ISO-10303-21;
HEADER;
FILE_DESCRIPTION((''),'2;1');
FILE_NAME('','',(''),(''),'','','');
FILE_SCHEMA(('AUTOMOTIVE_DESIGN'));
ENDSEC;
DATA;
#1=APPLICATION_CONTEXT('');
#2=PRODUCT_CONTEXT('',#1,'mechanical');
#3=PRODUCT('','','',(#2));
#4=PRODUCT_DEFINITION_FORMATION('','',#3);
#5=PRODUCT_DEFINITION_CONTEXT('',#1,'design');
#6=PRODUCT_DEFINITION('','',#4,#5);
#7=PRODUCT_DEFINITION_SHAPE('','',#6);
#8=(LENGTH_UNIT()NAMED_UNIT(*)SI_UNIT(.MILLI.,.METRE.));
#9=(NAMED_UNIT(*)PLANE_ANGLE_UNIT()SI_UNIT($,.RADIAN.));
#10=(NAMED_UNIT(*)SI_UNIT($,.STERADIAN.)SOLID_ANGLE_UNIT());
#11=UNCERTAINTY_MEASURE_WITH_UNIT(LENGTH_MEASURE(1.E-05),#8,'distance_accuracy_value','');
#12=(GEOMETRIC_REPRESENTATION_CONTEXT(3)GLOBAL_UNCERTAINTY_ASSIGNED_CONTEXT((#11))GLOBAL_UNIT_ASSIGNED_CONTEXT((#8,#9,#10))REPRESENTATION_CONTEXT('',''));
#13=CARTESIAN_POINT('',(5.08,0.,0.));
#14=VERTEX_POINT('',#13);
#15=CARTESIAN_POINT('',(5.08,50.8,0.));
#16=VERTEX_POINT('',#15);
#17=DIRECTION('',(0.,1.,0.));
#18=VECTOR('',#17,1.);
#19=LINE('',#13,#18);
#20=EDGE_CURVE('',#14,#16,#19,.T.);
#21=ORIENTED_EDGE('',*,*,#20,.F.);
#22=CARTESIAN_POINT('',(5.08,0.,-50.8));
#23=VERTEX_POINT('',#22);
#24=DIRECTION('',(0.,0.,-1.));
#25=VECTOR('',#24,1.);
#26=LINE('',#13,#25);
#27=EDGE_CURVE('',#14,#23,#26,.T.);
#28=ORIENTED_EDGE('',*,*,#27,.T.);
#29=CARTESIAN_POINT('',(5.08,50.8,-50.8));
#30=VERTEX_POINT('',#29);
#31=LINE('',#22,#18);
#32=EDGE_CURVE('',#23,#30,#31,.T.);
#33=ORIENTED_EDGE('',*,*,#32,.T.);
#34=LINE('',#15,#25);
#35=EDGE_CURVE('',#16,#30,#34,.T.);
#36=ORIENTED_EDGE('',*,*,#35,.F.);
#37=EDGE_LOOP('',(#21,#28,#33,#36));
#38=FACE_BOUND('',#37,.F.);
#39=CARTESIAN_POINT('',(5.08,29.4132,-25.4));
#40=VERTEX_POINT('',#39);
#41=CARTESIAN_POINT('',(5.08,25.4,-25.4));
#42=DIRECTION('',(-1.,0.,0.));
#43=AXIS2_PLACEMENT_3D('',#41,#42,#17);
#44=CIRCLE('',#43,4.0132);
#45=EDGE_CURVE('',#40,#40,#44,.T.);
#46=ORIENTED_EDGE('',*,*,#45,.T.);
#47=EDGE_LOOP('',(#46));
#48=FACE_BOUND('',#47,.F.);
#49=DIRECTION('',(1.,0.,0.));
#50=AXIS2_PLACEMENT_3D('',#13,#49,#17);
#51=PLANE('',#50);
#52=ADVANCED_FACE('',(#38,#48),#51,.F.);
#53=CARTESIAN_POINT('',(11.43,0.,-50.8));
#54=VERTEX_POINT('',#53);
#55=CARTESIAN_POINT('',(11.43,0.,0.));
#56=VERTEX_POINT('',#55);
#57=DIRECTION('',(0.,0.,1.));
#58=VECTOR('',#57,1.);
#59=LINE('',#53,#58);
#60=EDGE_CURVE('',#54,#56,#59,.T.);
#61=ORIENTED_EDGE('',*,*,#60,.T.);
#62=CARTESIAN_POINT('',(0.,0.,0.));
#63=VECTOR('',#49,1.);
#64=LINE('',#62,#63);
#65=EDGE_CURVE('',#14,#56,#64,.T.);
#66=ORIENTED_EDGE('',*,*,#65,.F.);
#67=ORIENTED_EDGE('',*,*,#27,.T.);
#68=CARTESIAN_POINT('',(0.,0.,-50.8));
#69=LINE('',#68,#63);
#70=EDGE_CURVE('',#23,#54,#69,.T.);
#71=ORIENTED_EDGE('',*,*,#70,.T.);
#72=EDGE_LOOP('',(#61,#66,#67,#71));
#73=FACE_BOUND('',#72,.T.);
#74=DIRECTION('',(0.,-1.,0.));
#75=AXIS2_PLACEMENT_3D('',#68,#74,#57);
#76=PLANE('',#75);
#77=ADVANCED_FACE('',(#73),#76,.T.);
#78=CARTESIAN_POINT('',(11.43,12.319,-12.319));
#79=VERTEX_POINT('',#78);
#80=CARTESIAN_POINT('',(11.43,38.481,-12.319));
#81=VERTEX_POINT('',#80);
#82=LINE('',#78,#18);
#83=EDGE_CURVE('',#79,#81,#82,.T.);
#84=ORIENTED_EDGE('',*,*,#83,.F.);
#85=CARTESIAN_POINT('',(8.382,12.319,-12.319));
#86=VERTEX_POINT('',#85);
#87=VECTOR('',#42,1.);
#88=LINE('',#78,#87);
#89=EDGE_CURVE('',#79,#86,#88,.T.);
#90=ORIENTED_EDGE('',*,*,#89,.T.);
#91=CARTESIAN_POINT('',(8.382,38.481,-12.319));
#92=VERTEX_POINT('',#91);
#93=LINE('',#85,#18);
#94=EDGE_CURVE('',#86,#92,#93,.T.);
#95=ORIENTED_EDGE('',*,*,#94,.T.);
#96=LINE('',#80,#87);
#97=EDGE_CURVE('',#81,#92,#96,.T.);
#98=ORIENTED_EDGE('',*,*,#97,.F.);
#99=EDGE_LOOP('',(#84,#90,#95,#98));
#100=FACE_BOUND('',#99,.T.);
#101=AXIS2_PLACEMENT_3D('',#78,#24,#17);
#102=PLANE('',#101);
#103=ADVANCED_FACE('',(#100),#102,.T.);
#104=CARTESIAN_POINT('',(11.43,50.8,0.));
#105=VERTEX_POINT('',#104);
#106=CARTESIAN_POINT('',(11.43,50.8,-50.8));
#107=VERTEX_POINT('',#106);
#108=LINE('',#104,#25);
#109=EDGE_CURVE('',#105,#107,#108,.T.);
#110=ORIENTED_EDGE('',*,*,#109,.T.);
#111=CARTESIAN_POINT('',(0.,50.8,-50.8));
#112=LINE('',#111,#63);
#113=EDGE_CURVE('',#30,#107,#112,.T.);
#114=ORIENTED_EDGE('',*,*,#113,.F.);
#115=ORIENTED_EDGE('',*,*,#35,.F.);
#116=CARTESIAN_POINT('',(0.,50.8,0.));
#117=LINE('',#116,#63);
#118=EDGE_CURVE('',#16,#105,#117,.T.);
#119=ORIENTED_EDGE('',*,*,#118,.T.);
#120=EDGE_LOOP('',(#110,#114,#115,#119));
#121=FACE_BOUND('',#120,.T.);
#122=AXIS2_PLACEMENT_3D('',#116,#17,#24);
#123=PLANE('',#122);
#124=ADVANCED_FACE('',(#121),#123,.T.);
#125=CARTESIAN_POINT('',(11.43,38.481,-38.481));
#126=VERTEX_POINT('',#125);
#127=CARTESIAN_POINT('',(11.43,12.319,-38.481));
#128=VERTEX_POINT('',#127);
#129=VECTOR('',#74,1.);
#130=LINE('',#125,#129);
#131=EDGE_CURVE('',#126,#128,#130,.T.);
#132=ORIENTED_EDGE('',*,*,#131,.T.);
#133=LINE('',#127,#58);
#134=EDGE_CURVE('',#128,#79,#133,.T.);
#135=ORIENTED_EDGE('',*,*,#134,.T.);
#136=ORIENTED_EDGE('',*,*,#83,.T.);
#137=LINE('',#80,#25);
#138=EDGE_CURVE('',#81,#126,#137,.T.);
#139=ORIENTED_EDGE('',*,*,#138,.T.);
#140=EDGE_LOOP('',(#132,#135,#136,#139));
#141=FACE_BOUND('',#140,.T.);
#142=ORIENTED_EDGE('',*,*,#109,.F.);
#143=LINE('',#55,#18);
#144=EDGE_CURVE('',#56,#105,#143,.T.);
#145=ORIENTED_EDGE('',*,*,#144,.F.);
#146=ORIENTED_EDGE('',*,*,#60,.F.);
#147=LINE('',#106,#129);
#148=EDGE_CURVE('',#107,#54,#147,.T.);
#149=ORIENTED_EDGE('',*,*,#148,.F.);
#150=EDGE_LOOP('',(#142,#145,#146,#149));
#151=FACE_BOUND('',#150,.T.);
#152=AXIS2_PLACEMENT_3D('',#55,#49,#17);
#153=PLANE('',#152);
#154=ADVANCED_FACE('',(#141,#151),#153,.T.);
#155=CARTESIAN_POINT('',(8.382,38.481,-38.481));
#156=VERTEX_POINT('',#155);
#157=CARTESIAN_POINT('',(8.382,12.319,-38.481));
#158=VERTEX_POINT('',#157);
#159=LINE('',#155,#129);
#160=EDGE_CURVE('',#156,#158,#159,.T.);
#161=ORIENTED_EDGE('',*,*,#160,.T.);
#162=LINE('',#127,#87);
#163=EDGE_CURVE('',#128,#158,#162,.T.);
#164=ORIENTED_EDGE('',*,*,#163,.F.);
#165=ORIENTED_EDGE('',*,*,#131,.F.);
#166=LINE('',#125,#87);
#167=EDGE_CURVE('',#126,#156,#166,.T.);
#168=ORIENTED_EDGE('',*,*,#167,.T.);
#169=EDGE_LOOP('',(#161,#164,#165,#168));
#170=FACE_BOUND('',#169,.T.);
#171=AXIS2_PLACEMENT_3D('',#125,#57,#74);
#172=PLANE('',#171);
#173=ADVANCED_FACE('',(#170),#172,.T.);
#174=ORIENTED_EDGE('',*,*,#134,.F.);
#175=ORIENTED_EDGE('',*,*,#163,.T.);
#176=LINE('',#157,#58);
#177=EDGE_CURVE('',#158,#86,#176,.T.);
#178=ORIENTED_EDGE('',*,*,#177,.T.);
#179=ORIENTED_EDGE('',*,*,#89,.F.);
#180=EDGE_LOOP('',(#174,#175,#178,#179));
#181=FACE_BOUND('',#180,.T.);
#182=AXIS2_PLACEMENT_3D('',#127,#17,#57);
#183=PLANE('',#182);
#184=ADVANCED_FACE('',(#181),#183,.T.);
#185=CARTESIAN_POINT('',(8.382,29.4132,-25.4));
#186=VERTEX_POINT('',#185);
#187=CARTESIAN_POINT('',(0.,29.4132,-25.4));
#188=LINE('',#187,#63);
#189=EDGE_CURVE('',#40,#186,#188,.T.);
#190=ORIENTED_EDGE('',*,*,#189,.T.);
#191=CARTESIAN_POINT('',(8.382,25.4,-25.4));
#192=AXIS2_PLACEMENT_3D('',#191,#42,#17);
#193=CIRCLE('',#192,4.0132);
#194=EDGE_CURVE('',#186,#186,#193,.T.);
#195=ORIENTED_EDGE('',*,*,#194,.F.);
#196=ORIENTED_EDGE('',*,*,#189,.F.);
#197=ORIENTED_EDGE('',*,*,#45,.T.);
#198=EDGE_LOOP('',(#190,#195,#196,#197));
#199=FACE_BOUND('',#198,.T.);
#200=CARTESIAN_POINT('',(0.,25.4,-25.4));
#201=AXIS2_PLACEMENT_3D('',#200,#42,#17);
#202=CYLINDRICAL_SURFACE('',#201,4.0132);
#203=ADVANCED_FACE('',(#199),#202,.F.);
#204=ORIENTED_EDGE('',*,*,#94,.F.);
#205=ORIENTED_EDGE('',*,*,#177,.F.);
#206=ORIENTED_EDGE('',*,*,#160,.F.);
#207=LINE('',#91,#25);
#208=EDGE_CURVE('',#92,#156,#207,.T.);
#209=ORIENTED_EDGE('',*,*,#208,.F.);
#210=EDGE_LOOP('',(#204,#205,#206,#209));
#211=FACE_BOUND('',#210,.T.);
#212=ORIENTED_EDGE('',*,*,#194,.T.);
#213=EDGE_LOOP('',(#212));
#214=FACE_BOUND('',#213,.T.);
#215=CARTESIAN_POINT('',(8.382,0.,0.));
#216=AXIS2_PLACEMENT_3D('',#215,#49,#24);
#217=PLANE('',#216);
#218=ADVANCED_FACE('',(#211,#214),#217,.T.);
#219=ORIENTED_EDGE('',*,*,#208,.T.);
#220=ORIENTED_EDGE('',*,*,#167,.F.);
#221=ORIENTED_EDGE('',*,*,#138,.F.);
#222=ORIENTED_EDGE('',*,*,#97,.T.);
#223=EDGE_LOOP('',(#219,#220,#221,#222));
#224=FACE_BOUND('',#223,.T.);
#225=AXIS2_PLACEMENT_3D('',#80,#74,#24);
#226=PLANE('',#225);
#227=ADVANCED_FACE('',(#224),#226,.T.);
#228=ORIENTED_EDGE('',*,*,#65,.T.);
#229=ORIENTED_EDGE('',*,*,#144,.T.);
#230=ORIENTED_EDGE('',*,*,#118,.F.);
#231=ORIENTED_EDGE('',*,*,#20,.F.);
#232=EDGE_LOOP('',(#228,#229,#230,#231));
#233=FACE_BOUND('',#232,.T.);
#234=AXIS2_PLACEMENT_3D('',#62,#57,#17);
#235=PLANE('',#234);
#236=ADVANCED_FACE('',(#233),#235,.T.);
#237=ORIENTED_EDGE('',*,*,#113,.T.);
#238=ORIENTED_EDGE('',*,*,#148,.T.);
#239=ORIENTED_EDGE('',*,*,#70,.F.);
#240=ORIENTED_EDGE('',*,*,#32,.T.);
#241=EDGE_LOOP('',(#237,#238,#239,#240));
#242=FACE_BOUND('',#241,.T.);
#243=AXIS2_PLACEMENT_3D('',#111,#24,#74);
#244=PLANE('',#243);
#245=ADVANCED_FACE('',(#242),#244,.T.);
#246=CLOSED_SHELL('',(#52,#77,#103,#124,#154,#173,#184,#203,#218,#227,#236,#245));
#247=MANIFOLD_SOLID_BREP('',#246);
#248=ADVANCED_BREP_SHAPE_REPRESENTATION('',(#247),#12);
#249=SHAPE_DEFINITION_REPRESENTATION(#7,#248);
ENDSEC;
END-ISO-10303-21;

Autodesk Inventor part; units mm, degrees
ref_plane "YZ Plane" through (0, 0, 0) normal (1, 0, 0) x (0, 1, 0)
ref_plane "XZ Plane" through (0, 0, 0) normal (0, 1, 0) x (-1, 0, 0)
ref_plane "XY Plane" through (0, 0, 0) normal (0, 0, 1) x (1, 0, 0)
sketch "Sketch1" plane through (0, 0, 0) normal (1, 0, 0) x (0, 1, 0)
  line L0 (0, 0) -> (50.8, 0)
  line L1 (50.8, 0) -> (50.8, -50.8)
  line L2 (50.8, -50.8) -> (0, -50.8)
  line L3 (0, -50.8) -> (0, 0)
  line L4 (50.8, 0) -> (50.8, -25.4)
  circle A0 centre (25.4, -25.4) radius 4.0132
  dimension "d0" = 50.8
  dimension "d1" = 50.8
  dimension "d5" = 8.0264
extrude "Extrusion1" add sketch "Sketch1" along normal blind 11.43
sketch "Sketch2" plane through (11.43, 0, 0) normal (1, 0, 0) x (0, 0, -1)
  line L0 (12.319, 38.481) -> (38.481, 38.481)
  line L1 (38.481, 38.481) -> (38.481, 12.319)
  line L2 (38.481, 12.319) -> (12.319, 12.319)
  line L3 (12.319, 12.319) -> (12.319, 38.481)
  line L4 (50.8, 50.8) -> (0, 50.8) projected
  line L5 (0, 0) -> (50.8, 0) projected
  line L6 (0, 50.8) -> (0, 0) projected
  dimension "d8" = 26.162
  dimension "d9" = 26.162
extrude "Extrusion2" cut sketch "Sketch2" against normal blind 3.048
sketch "Sketch3" plane through (0, 0, 0) normal (-1, 0, 0) x (0, 0, 1)
  circle A0 centre (-25.4, 25.4) radius 4.0132 projected
  circle A1 centre (-25.4, 25.4) radius 8.255
  point P0 (0, 0)
  dimension "d12" = 16.51
extrude "Extrusion3" cut sketch "Sketch3" against normal blind 1.905
sketch "Sketch4" plane through (0, 0, 0) normal (0, 0, 1) x (1, 0, 0)
  line L0 (0, 0) -> (11.43, 0) projected
  line L1 (0, 50.8) -> (11.43, 50.8) projected
  line L2 (0, 0) -> (5.08, 0)
  line L3 (5.08, 0) -> (5.08, 50.8)
  line L4 (5.08, 50.8) -> (0, 50.8)
  line L5 (0, 50.8) -> (0, 0)
  dimension "d15" = 5.08
extrude "Extrusion4" cut sketch "Sketch4" against normal blind 50.8
properties part number "220425 End Cap"
